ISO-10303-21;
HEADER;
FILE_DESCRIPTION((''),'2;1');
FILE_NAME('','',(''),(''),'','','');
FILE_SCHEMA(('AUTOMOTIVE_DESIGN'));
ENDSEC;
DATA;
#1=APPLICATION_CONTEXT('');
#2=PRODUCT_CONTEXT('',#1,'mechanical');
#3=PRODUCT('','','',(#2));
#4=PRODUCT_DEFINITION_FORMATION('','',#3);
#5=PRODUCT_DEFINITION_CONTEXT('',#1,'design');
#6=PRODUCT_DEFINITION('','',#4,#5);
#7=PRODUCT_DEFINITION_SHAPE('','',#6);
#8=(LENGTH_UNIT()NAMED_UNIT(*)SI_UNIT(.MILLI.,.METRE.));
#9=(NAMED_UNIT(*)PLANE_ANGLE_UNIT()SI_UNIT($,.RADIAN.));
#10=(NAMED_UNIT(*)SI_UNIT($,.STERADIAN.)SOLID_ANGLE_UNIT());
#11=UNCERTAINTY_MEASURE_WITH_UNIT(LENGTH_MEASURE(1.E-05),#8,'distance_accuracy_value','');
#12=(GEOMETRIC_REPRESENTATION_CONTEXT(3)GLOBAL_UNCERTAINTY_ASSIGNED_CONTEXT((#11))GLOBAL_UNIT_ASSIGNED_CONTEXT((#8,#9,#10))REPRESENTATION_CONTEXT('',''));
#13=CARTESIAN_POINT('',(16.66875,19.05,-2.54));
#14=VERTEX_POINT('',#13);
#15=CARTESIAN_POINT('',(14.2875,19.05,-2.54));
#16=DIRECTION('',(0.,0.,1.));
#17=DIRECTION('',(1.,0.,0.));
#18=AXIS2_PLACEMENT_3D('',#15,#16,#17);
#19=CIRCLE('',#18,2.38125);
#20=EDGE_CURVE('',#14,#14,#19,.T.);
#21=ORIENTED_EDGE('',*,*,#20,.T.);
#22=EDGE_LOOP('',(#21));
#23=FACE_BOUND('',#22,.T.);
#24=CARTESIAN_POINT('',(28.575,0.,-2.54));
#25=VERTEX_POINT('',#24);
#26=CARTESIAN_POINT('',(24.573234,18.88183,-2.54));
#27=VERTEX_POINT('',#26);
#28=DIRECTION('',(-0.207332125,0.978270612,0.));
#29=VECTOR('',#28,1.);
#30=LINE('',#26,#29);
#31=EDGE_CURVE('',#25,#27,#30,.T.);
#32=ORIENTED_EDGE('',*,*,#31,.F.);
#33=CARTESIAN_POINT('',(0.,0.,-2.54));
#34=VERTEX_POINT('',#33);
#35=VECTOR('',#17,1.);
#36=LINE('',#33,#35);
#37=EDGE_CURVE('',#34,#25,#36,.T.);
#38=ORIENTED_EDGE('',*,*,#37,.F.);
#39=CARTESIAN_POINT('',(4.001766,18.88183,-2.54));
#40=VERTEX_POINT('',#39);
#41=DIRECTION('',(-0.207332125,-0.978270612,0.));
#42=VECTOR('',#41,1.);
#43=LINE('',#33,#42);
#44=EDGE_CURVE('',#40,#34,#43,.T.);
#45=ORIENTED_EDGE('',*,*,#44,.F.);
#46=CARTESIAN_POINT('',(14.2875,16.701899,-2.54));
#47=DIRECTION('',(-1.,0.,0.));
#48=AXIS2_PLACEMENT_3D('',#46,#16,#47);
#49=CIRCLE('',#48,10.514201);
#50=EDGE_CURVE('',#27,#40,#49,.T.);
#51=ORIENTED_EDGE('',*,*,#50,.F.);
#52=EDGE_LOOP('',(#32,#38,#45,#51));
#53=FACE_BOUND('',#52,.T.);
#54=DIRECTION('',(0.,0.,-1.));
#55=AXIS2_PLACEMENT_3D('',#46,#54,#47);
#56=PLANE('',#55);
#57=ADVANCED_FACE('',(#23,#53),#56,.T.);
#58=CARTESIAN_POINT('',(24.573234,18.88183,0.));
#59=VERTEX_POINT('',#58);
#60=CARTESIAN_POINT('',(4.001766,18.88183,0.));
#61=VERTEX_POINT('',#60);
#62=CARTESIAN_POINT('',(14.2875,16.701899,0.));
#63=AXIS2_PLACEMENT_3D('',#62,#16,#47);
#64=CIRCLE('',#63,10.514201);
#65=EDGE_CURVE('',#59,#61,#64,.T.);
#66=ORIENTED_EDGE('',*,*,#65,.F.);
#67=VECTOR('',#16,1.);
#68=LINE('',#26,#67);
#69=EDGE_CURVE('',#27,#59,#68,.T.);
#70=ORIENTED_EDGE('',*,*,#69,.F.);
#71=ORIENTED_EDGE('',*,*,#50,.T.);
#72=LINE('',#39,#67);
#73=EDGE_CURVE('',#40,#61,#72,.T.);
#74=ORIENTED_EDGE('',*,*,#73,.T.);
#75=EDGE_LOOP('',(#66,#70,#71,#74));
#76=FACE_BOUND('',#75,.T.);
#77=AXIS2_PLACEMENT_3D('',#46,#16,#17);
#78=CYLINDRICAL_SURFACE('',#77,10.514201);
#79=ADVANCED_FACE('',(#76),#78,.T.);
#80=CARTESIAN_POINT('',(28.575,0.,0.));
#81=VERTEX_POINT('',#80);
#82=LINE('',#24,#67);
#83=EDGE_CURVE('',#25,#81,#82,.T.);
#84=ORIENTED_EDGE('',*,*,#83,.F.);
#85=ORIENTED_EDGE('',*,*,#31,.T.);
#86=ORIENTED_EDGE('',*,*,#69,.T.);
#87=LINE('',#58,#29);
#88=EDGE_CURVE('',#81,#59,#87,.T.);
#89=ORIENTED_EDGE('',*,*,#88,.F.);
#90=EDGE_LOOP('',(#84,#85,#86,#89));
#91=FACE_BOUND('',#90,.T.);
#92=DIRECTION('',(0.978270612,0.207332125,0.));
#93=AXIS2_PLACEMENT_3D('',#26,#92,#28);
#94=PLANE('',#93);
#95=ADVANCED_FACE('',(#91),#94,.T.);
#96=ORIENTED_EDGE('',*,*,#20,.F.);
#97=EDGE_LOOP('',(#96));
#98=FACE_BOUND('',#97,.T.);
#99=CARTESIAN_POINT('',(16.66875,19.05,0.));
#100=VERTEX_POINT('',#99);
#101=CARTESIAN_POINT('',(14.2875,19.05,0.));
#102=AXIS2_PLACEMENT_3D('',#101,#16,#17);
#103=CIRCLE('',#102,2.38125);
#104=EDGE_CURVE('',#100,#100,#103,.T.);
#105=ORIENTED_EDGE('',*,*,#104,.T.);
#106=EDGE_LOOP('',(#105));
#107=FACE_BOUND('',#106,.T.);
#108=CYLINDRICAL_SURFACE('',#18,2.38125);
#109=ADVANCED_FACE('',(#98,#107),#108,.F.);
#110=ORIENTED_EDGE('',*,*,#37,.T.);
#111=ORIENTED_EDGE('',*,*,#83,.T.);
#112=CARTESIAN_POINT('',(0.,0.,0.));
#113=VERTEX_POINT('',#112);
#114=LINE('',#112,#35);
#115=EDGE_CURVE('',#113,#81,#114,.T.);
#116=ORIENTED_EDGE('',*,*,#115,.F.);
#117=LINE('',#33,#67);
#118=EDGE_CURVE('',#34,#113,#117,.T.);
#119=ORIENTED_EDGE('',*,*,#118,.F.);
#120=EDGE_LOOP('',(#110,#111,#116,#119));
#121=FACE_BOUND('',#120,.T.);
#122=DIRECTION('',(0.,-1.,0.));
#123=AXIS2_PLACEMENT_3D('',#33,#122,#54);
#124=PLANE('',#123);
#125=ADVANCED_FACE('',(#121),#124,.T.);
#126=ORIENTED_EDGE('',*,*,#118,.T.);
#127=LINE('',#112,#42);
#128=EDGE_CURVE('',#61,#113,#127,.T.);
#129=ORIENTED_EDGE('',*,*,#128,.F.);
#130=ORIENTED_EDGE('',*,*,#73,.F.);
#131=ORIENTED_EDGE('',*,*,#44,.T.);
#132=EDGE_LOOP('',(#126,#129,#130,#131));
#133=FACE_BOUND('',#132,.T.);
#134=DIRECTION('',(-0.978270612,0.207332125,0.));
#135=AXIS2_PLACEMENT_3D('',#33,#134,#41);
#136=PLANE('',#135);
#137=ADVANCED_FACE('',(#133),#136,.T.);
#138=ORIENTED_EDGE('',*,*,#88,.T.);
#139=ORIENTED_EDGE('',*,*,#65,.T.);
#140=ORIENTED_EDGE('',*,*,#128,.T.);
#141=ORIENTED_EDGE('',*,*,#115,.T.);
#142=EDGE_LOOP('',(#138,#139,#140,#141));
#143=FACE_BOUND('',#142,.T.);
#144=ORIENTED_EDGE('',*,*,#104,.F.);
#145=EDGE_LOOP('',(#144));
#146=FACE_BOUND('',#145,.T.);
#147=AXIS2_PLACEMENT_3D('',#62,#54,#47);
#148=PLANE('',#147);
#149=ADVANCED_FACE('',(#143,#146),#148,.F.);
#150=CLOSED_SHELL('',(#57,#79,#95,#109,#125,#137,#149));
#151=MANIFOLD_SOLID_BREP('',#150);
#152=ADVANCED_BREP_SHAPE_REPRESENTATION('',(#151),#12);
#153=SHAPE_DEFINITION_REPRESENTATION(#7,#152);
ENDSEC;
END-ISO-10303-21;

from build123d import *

# Parameters (mm, degrees)
SKETCH1_R           = 2.38125
BOSS_EXTRUDE1_DEPTH = 2.54


with BuildPart() as part:
    # Sketch1 → Boss-Extrude1 (new body)
    with BuildSketch(Plane.XY):
        with BuildLine():
            Line((0, 0), (28.575, 0))
            Line((28.575, 0), (24.573234041, 18.881830476))
            ThreePointArc((24.573234041, 18.881830476), (14.2875, 27.2161), (4.001765959, 18.881830476))
            Line((4.001765959, 18.881830476), (0, 0))
        make_face()
        with Locations((14.2875, 19.05)):
            Circle(SKETCH1_R, mode=Mode.SUBTRACT)
    extrude(amount=-BOSS_EXTRUDE1_DEPTH)


solid = part.part
